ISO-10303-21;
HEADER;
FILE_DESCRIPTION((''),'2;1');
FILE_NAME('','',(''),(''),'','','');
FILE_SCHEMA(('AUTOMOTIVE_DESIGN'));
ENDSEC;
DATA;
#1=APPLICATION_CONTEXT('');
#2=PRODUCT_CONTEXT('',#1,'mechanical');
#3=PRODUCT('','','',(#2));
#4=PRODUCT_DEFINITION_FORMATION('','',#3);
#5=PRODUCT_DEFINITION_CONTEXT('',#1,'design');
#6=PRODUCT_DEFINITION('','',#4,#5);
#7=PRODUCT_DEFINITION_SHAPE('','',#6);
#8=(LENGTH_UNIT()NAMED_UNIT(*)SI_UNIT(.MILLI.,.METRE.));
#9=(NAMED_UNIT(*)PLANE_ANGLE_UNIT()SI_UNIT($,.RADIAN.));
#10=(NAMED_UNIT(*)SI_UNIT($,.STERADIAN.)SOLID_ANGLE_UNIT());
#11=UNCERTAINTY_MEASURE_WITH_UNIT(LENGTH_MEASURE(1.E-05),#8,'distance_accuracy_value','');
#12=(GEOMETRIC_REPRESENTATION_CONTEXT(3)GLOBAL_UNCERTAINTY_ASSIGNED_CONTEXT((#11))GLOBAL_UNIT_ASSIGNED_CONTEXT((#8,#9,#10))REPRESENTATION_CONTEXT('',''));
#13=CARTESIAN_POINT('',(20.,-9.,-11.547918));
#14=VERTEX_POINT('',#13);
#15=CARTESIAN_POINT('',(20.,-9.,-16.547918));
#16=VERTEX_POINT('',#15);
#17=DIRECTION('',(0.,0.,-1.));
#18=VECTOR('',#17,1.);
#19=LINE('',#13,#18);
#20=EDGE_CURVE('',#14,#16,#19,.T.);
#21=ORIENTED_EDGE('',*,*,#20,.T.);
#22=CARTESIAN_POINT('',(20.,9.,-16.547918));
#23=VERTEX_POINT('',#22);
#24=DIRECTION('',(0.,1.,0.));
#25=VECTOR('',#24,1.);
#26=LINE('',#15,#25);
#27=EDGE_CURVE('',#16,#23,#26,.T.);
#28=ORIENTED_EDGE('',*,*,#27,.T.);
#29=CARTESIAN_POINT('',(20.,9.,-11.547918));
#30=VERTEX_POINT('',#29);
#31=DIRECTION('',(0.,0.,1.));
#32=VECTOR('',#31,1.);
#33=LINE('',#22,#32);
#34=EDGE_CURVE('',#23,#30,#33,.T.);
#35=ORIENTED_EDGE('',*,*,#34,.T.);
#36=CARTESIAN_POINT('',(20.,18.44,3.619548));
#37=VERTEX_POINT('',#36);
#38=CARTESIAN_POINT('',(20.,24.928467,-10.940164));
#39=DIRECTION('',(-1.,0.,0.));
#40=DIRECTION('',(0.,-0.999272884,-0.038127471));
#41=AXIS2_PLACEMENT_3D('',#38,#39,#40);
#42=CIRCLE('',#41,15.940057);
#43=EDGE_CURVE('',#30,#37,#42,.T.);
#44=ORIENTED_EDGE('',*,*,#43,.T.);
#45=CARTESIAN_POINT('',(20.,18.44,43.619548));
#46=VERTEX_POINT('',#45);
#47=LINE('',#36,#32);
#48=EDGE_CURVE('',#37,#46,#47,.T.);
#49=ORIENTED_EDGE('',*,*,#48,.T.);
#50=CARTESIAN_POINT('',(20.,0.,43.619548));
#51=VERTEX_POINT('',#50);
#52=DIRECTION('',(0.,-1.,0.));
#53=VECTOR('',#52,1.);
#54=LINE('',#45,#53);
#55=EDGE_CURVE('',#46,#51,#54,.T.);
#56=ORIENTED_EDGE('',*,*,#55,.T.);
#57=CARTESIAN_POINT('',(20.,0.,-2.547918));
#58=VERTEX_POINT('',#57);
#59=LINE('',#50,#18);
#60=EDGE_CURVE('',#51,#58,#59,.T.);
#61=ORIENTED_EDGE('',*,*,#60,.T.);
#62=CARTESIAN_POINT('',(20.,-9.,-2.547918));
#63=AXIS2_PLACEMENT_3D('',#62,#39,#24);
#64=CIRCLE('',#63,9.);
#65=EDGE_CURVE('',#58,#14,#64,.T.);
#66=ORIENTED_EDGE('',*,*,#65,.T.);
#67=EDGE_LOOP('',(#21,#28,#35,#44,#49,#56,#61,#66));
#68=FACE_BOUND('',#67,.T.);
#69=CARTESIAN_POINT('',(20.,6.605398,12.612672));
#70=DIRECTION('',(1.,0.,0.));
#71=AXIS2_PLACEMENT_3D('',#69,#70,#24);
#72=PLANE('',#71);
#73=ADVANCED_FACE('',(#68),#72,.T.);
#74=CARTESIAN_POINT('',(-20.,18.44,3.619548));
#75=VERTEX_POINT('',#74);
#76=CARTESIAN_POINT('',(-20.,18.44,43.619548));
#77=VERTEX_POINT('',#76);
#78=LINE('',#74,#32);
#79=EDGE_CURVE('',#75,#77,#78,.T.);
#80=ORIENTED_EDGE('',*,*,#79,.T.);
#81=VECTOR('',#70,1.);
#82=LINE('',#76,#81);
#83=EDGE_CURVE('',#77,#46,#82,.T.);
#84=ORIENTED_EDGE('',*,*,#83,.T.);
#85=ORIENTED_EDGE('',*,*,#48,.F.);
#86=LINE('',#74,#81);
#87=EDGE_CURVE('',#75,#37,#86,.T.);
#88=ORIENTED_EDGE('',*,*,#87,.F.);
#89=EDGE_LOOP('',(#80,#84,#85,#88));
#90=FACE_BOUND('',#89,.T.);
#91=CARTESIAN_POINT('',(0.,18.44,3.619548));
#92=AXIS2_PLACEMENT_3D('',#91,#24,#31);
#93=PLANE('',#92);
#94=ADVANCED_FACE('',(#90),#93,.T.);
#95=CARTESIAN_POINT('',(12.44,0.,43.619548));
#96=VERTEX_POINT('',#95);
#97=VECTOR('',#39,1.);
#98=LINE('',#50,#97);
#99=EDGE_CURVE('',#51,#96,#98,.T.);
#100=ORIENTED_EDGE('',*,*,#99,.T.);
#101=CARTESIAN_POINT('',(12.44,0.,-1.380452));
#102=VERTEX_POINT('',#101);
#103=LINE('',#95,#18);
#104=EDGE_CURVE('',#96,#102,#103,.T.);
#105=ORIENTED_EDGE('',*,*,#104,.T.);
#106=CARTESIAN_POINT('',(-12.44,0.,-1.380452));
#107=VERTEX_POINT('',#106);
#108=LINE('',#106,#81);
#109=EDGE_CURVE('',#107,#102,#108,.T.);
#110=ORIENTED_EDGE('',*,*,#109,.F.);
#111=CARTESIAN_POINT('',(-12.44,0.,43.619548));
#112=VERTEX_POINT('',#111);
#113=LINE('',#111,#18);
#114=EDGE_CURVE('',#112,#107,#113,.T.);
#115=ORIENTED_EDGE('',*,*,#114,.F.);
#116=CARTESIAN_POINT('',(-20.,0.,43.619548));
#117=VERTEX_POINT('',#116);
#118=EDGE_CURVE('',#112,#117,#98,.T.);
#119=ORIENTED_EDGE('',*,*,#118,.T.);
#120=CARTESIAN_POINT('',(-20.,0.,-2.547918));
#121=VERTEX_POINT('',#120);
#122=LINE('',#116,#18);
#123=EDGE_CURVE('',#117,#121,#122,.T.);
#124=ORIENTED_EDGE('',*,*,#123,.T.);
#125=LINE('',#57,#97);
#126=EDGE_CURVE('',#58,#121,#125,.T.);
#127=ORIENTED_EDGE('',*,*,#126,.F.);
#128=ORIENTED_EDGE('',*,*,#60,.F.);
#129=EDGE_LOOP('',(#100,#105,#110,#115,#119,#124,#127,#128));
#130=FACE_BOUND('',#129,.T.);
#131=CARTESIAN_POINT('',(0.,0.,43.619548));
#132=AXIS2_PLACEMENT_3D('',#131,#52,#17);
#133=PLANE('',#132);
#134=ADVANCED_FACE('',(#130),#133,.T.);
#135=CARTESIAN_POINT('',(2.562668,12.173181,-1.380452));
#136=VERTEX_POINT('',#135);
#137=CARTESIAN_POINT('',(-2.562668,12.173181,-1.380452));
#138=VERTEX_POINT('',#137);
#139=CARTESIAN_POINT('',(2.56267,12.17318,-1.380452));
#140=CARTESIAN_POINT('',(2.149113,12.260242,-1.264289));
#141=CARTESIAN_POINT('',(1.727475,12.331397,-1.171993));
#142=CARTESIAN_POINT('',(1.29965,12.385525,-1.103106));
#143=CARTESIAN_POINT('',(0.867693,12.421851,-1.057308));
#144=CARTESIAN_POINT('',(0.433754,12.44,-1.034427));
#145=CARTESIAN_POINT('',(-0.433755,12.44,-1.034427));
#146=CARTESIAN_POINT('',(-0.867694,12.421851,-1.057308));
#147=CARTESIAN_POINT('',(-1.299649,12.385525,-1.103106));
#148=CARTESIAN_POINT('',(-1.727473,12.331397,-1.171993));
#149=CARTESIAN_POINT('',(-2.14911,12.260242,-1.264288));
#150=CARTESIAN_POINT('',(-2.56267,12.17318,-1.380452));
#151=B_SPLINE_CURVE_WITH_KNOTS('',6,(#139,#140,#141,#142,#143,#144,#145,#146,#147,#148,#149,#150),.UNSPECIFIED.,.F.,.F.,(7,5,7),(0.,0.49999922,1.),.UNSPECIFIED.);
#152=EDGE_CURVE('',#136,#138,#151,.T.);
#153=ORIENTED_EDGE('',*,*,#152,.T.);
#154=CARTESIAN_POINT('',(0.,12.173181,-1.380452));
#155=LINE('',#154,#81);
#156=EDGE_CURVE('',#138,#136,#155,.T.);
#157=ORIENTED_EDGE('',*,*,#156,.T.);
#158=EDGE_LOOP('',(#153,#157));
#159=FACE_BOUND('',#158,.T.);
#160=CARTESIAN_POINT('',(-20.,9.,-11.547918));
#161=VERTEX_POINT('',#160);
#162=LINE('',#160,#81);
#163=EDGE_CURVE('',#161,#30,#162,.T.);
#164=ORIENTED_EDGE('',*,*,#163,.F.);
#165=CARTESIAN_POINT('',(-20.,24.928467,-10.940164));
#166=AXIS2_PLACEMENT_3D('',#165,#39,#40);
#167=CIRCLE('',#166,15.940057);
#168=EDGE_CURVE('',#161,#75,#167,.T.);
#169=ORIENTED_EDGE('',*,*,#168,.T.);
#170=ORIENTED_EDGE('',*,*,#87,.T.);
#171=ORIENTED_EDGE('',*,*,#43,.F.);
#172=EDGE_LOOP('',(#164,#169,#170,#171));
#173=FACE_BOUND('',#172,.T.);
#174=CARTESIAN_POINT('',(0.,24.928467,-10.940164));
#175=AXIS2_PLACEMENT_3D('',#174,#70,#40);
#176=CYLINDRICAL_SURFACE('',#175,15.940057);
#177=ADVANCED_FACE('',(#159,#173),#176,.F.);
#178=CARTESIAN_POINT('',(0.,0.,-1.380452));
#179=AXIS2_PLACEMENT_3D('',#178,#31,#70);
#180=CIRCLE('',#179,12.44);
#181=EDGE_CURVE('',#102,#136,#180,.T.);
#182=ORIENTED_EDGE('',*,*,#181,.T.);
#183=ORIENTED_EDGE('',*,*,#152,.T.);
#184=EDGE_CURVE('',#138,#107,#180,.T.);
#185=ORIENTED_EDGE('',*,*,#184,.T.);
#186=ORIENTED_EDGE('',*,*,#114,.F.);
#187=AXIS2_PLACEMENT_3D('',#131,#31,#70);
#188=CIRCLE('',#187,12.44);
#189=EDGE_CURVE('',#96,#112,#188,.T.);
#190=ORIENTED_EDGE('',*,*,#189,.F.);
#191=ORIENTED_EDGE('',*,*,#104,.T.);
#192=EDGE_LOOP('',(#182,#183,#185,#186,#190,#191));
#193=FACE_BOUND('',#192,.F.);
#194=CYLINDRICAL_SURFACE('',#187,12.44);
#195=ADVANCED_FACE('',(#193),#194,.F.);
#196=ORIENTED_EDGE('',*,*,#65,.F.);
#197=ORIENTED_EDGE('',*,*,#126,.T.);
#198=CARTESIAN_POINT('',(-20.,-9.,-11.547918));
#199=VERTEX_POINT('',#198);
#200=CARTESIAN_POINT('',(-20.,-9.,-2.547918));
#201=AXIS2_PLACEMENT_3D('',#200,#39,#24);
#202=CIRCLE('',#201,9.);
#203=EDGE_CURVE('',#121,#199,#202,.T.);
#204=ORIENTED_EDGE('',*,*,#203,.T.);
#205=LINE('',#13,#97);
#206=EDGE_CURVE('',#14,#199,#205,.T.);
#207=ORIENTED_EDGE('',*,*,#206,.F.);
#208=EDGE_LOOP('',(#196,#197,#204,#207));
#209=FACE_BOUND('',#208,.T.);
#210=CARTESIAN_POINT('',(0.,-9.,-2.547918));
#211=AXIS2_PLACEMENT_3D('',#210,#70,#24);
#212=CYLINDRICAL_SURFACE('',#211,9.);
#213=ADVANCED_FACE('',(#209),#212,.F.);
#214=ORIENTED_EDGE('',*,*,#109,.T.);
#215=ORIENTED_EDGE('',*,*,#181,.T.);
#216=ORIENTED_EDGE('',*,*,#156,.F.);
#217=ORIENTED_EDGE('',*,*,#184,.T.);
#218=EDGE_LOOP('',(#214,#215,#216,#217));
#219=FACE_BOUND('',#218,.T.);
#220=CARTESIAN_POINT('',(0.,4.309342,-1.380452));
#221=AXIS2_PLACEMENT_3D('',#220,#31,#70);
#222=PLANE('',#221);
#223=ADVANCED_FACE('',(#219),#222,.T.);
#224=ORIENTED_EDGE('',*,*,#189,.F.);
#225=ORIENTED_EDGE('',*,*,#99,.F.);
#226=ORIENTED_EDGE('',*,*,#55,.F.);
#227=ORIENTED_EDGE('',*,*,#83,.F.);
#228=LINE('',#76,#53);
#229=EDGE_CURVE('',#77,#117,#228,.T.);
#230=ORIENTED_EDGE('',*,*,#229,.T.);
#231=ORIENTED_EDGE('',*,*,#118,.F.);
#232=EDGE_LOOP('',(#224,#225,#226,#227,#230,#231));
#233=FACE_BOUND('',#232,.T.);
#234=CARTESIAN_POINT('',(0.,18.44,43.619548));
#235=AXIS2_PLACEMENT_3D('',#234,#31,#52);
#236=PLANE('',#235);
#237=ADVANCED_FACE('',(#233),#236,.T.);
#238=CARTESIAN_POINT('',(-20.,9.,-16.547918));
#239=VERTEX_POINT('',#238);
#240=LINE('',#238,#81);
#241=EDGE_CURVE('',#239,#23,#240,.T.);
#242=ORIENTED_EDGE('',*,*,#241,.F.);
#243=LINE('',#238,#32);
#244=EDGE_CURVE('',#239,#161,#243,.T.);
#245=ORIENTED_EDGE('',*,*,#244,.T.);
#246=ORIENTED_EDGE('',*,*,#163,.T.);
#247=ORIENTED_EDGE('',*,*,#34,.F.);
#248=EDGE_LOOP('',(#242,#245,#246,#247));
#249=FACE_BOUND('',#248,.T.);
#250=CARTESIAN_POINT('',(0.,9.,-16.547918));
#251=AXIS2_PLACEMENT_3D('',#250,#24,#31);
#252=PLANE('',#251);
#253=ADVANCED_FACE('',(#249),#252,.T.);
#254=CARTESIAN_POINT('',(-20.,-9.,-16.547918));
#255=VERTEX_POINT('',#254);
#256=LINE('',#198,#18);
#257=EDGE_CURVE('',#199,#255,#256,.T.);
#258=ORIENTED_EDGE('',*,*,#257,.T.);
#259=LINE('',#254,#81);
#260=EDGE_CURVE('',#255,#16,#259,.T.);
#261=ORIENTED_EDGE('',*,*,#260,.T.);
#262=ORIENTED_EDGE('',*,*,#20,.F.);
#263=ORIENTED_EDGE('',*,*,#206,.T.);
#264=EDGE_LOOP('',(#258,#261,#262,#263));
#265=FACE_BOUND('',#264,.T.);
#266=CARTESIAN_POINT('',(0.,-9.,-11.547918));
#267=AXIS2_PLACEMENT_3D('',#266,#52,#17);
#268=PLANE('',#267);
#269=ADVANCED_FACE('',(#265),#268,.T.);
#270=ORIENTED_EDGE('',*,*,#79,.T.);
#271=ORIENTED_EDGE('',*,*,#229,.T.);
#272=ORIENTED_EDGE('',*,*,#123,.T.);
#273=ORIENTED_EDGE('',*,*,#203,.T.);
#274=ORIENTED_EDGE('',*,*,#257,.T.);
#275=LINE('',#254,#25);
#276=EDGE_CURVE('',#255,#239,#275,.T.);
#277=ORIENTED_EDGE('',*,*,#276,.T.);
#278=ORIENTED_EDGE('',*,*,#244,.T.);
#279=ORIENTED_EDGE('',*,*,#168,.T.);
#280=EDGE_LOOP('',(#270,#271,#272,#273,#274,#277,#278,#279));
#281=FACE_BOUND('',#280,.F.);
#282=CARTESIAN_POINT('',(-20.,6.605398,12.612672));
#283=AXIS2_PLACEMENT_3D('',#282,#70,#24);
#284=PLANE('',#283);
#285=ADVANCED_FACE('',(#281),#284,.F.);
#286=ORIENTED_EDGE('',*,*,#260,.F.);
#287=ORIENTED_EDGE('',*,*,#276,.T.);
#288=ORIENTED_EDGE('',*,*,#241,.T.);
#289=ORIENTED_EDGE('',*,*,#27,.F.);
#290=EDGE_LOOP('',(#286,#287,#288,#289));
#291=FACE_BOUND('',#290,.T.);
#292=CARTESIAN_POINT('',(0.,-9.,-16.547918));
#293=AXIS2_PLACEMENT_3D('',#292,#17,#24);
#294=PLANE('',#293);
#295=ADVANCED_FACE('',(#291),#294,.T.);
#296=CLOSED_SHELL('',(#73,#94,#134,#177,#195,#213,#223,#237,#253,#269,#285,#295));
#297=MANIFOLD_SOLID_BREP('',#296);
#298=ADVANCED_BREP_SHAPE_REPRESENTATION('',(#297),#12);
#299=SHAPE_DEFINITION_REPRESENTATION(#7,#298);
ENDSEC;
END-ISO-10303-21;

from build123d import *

# Parameters (mm, degrees)
F1_DEPTH = 20
F3_DEPTH = 45


with BuildPart() as f1:
    # F0 (on Right) → F1 (new body, symmetric)
    with BuildSketch(Plane.YZ):
        with BuildLine():
            Line((-9, -11.5479181204), (-9, -16.5479181204))
            Line((-9, -16.5479181204), (9, -16.5479181204))
            Line((9, -16.5479181204), (9, -11.5479181204))
            ThreePointArc((9, -11.5479181204), (11.3954428877, -2.5174159417), (18.44, 3.619548399))
            Line((18.44, 3.619548399), (18.44, 43.619548399))
            Line((18.44, 43.619548399), (0, 43.619548399))
            Line((0, 43.619548399), (0, -2.5479181204))
            ThreePointArc((0, -2.5479181204), (-2.6360389693, -8.9118791511), (-9, -11.5479181204))
        make_face()
    extrude(amount=F1_DEPTH, both=True)

    # F2 (on face) → F3 (cut)
    with BuildSketch(Plane.XY.offset(43.619548399)):
        with BuildLine():
            Line((-12.44, 0), (12.44, 0))
            ThreePointArc((12.44, 0), (0, 12.44), (-12.44, 0))
        make_face()
    extrude(amount=-F3_DEPTH, mode=Mode.SUBTRACT)


solid = f1.part
